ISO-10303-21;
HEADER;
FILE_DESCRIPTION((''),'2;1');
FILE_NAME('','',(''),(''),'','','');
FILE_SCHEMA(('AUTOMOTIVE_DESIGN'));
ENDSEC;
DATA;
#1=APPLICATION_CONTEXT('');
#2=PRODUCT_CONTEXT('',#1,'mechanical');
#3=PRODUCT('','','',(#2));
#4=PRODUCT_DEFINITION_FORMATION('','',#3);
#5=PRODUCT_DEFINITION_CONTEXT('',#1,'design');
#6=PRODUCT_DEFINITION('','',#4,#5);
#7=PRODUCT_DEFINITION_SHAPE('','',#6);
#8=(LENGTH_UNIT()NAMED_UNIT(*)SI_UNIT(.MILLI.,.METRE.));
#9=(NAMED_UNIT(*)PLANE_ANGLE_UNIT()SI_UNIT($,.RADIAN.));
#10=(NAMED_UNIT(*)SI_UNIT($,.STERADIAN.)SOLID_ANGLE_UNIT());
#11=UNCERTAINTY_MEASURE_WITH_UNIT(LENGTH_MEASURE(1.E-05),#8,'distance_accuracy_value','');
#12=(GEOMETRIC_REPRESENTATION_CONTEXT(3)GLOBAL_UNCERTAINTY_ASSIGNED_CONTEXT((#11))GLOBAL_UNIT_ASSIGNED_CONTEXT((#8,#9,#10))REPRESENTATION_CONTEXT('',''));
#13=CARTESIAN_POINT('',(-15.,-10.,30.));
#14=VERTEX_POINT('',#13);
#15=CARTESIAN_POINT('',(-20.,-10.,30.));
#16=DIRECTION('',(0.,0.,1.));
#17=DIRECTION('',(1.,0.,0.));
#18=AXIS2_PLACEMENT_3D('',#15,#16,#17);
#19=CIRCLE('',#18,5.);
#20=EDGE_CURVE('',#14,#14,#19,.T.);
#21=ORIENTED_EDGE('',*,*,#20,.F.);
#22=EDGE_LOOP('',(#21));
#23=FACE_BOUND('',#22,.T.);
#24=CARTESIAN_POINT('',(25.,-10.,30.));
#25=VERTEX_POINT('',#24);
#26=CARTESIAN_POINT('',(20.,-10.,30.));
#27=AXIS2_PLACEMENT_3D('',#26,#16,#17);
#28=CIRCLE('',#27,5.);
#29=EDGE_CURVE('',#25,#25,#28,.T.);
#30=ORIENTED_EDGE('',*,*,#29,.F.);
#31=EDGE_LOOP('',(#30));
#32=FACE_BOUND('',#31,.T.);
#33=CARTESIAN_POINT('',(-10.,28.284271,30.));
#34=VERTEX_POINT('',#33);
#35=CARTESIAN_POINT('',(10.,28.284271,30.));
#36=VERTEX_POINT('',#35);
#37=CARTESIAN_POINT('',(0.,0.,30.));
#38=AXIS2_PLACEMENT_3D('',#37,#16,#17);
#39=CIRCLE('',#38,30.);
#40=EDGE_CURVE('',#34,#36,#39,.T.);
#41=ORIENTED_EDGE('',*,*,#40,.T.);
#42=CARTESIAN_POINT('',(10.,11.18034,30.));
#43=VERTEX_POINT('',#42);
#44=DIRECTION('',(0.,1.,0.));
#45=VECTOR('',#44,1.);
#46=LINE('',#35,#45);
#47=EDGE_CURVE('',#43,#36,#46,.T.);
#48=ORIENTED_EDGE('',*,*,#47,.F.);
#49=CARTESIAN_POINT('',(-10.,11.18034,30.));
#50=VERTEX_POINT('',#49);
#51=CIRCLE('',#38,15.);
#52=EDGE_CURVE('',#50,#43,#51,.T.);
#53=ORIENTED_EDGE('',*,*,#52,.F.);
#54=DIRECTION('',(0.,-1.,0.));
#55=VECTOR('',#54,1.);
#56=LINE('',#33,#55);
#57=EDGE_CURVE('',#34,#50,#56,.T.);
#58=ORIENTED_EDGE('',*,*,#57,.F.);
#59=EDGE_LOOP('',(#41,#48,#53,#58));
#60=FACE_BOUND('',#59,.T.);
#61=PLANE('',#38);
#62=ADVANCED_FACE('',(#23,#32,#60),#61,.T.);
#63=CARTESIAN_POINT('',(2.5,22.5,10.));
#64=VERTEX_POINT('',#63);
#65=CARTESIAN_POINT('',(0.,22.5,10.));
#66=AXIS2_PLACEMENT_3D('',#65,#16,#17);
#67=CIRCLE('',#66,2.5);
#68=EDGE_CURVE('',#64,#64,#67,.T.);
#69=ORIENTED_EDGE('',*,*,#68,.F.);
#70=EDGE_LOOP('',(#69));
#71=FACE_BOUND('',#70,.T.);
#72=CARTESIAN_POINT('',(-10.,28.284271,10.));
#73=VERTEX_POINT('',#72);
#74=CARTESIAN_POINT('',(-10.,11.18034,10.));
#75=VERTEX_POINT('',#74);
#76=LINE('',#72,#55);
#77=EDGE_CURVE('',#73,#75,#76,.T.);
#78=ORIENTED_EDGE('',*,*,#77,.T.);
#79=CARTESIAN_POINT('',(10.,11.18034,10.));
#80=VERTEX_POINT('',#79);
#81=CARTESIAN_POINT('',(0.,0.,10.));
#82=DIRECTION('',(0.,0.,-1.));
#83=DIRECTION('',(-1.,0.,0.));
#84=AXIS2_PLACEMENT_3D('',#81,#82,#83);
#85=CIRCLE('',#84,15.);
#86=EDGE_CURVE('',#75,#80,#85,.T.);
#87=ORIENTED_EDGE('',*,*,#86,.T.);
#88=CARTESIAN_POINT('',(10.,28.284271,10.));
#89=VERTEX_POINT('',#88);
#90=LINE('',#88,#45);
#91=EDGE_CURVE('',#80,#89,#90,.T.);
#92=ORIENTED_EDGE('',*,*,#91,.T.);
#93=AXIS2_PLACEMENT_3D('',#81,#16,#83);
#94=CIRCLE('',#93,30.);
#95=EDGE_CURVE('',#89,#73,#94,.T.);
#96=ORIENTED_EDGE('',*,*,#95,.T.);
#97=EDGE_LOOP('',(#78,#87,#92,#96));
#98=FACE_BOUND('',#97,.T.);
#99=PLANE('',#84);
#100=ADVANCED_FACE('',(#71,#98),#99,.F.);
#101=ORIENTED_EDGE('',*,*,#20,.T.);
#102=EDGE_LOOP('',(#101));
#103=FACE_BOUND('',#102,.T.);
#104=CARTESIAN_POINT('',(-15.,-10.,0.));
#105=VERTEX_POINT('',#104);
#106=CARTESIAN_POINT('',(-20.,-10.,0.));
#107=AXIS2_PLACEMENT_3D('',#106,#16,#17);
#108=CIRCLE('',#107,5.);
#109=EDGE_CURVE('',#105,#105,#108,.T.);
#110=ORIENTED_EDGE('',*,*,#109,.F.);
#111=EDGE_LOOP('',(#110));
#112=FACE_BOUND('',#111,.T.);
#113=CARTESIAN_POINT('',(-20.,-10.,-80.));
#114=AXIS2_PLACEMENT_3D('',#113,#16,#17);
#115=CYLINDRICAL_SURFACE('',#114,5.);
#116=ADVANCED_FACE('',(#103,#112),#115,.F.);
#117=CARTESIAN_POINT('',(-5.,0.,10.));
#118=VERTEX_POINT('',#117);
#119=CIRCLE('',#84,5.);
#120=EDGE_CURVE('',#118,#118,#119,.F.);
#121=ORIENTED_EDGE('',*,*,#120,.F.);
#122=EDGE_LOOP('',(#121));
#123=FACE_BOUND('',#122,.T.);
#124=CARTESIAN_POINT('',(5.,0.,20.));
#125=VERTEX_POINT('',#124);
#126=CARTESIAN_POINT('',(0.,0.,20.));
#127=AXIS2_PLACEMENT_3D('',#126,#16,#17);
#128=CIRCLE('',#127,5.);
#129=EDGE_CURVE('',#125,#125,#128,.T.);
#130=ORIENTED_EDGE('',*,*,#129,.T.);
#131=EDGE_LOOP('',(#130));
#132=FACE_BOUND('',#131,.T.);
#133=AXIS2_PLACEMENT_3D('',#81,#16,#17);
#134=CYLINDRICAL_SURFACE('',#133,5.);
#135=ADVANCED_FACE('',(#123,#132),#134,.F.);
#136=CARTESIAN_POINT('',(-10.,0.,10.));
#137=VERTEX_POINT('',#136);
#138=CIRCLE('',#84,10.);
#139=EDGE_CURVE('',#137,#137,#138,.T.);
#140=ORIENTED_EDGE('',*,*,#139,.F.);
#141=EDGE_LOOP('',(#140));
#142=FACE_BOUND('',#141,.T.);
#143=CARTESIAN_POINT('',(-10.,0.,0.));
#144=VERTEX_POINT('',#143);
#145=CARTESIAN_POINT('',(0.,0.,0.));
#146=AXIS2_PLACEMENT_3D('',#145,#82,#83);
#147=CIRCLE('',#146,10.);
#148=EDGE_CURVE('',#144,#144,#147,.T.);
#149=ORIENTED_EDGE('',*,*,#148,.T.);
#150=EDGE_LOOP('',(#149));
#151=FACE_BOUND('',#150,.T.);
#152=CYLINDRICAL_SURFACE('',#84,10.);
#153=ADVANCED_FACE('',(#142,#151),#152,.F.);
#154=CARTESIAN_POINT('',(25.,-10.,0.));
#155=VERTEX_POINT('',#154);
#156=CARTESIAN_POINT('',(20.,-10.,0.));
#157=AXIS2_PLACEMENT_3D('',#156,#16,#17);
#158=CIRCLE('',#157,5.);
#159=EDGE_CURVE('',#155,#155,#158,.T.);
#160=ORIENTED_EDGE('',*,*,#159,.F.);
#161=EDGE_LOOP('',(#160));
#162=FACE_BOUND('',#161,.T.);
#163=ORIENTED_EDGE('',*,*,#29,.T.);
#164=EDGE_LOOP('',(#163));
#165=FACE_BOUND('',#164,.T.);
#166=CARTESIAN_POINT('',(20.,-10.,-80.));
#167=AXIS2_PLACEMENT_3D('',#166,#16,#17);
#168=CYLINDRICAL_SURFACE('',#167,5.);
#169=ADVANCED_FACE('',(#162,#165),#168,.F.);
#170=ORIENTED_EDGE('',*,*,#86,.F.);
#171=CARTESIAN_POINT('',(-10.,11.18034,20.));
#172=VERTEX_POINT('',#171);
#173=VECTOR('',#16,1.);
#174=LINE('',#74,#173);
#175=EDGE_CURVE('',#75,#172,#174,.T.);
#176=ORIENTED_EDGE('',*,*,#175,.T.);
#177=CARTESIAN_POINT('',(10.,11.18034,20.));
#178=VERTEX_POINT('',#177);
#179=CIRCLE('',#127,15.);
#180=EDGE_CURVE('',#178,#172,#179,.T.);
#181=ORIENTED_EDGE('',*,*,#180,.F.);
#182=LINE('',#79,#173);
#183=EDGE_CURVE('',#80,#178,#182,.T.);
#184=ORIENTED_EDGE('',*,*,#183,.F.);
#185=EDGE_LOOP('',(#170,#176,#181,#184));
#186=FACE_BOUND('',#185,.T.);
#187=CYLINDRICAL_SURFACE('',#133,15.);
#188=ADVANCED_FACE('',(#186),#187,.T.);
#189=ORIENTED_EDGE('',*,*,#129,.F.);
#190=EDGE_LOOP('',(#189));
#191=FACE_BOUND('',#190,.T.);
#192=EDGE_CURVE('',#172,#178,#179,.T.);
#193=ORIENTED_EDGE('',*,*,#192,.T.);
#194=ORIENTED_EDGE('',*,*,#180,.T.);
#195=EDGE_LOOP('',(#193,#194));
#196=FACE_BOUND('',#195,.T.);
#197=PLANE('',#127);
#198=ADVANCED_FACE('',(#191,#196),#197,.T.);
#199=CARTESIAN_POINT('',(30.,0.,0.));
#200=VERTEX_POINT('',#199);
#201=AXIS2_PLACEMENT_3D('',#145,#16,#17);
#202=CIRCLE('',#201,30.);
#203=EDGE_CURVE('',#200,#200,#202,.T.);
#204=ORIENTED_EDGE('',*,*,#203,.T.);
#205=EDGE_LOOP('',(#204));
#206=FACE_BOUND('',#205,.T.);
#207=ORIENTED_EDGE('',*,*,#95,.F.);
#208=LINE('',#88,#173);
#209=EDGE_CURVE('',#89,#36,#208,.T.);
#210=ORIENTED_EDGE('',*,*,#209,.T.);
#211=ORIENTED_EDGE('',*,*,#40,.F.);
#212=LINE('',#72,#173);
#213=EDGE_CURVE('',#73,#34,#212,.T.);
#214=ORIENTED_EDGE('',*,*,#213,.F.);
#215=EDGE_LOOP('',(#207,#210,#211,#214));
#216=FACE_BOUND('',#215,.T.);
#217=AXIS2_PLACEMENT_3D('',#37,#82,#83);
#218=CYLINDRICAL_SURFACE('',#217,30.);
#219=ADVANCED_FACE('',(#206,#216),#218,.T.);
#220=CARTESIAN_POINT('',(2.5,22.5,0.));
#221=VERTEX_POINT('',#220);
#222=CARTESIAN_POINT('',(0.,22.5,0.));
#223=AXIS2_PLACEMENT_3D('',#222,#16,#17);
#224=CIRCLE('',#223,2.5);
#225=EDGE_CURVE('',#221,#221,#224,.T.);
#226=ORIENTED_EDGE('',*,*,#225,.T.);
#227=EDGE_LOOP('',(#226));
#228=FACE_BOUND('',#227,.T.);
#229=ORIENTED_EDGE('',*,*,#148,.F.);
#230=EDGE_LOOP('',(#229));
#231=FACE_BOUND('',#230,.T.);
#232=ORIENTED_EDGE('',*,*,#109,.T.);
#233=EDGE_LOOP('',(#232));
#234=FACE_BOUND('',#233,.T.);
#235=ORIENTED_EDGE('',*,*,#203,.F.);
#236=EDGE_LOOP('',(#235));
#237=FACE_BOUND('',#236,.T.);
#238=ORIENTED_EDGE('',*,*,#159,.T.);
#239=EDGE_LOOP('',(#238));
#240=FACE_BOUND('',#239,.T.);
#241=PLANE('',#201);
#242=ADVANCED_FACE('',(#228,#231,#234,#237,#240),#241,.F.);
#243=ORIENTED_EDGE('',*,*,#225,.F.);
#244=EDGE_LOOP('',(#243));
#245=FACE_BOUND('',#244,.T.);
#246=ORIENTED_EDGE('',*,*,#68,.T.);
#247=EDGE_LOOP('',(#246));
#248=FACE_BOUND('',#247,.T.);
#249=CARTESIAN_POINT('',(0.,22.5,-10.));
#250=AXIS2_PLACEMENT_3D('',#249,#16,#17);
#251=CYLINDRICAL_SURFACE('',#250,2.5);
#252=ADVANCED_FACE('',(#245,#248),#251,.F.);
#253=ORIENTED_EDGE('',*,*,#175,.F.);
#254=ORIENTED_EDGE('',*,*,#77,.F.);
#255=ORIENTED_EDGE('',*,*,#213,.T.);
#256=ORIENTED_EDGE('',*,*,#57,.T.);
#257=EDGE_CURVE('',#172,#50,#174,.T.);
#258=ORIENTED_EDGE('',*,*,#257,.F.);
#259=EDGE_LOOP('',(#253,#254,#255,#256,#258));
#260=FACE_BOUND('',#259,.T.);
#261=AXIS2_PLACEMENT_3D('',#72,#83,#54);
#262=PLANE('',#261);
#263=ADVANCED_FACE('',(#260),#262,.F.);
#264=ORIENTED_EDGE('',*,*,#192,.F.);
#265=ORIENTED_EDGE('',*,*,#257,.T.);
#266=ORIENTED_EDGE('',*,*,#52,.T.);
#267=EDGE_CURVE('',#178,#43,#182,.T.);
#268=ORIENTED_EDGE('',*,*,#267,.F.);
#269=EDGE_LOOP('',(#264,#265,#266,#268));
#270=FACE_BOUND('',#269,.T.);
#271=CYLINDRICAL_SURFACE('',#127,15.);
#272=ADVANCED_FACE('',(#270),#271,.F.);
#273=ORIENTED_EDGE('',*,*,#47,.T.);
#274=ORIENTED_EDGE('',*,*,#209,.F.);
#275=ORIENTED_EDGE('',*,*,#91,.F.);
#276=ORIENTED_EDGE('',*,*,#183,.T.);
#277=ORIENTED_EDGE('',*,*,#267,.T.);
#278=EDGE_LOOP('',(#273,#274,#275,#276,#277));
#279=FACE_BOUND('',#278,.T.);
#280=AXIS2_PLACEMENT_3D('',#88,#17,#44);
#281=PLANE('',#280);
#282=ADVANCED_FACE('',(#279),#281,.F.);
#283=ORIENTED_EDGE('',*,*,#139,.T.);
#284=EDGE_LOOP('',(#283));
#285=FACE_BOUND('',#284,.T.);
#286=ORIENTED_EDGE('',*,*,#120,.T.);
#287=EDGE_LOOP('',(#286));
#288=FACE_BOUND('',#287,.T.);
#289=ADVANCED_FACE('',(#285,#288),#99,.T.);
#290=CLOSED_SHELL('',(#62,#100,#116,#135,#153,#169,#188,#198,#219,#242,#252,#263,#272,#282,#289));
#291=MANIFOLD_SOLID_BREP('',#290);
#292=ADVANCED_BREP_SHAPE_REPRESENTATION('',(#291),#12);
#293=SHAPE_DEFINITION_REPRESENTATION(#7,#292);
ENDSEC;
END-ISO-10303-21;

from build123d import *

# Parameters (mm, degrees)
SKETCH1_R           = 30
BOSS_EXTRUDE1_DEPTH = 30
SKETCH2_R           = 15
CUT_EXTRUDE1_DEPTH  = 10
SKETCH3_R           = 5
CUT_EXTRUDE2_DEPTH  = 10
SKETCH5_R           = 5
CUT_EXTRUDE5_DEPTH  = 110
CUT_EXTRUDE6_DEPTH  = 20
SKETCH7_R           = 2.5
CUT_EXTRUDE7_DEPTH  = 20
SKETCH8_R           = 5
CUT_EXTRUDE8_DEPTH  = 10
SKETCH9_R           = 10
CUT_EXTRUDE9_DEPTH  = 10


with BuildPart() as part:
    # Sketch1 → Boss-Extrude1 (new body)
    with BuildSketch(Plane.XY):
        Circle(SKETCH1_R)
    extrude(amount=BOSS_EXTRUDE1_DEPTH)

    # Sketch2 → Cut-Extrude1 (cut)
    with BuildSketch(Plane.XY.offset(30)):
        Circle(SKETCH2_R)
    extrude(amount=-CUT_EXTRUDE1_DEPTH, mode=Mode.SUBTRACT)

    # Sketch3 → Cut-Extrude2 (cut)
    with BuildSketch(Plane.XY.offset(20)):
        Circle(SKETCH3_R)
    extrude(amount=-CUT_EXTRUDE2_DEPTH, mode=Mode.SUBTRACT)

    # Sketch5 → Cut-Extrude5 (cut)
    with BuildSketch(Plane.XY.offset(30)):
        with Locations((20, -10)):
            Circle(SKETCH5_R)
        with Locations((-20, -10)):
            Circle(SKETCH5_R)
    extrude(amount=-CUT_EXTRUDE5_DEPTH, mode=Mode.SUBTRACT)

    # Sketch6 → Cut-Extrude6 (cut)
    with BuildSketch(Plane.XY.offset(30)):
        with BuildLine():
            Line((-10, 28.284271247), (-10, 11.180339887))
            ThreePointArc((-10, 11.180339887), (0, 15), (10, 11.180339887))
            Line((10, 11.180339887), (10, 28.284271247))
            ThreePointArc((10, 28.284271247), (0, 30), (-10, 28.284271247))
        make_face()
    extrude(amount=-CUT_EXTRUDE6_DEPTH, mode=Mode.SUBTRACT)

    # Sketch7 → Cut-Extrude7 (cut)
    with BuildSketch(Plane.XY.offset(10)):
        with Locations((0, 22.5)):
            Circle(SKETCH7_R)
    extrude(amount=-CUT_EXTRUDE7_DEPTH, mode=Mode.SUBTRACT)

    # Sketch8 → Cut-Extrude8 (cut)
    with BuildSketch(Plane.XY.offset(10)):
        Circle(SKETCH8_R)
    extrude(amount=-CUT_EXTRUDE8_DEPTH, mode=Mode.SUBTRACT)

    # Sketch9 → Cut-Extrude9 (cut)
    with BuildSketch(Plane(origin=(0, 0, 0), x_dir=(-1, 0, 0), z_dir=(0, 0, -1))):
        Circle(SKETCH9_R)
    extrude(amount=-CUT_EXTRUDE9_DEPTH, mode=Mode.SUBTRACT)


solid = part.part
